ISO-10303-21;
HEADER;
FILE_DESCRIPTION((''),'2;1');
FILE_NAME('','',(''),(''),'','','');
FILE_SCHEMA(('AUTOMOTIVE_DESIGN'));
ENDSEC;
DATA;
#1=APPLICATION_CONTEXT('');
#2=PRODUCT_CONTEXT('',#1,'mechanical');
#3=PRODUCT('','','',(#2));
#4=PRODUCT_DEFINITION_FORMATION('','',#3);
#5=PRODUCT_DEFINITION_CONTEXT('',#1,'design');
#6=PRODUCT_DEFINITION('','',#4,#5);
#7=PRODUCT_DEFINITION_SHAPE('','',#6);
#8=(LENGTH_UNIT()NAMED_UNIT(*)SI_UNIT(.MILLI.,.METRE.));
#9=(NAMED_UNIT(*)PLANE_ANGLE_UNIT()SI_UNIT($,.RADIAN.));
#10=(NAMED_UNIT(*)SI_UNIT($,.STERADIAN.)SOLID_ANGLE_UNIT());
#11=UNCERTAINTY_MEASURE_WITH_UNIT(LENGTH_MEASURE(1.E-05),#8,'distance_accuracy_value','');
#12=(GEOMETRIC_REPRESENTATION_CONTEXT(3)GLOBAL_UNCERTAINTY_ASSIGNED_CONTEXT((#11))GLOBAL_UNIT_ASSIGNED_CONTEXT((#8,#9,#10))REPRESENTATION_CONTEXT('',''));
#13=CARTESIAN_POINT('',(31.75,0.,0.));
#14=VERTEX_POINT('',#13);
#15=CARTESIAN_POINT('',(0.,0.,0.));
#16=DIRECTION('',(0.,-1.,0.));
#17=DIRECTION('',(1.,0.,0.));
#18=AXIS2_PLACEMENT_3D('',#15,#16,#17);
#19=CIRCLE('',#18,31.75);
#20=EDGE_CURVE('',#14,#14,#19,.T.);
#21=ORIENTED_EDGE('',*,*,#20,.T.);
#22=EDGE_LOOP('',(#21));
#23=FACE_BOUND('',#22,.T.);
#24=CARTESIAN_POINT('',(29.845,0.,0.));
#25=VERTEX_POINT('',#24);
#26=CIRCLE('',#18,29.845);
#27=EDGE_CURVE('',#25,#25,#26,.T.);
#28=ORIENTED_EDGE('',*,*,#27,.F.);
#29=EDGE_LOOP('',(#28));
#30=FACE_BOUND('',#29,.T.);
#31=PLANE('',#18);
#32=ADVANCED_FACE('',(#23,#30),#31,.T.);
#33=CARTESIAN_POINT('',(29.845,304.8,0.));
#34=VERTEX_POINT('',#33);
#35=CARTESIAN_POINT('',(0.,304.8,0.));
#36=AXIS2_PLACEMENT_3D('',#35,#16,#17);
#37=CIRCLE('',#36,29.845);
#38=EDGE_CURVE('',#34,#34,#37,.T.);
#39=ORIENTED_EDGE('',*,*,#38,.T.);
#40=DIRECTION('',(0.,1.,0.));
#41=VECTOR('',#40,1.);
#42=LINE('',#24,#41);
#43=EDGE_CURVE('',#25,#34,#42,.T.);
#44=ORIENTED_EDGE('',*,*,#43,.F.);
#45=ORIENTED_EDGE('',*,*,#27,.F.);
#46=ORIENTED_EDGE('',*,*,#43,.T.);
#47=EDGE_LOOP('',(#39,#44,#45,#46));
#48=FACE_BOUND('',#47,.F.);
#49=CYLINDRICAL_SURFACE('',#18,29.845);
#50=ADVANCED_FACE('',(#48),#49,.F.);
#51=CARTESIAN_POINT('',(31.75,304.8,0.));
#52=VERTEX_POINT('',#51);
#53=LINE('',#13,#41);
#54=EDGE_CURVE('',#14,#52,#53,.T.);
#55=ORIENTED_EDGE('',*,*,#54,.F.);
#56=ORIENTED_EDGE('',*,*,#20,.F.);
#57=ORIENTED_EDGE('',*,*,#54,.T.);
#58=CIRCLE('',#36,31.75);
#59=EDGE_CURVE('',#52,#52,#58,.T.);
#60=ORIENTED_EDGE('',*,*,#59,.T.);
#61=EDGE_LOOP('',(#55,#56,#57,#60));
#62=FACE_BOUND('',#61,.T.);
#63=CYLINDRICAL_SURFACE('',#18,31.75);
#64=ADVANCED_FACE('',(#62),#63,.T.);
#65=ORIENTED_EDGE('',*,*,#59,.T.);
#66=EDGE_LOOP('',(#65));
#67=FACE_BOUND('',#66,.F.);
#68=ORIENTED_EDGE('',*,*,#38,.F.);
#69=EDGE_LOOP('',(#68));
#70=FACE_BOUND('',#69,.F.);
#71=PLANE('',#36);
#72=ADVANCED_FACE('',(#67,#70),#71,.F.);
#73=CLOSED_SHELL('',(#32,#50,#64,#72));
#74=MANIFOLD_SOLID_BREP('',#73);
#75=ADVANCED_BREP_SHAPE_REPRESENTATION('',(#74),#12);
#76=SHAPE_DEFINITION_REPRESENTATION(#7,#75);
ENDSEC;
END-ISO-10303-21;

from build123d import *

# Parameters (mm, degrees)
F0_R     = 31.75
F1_DEPTH = 304.8
F2_R     = 29.845
F3_DEPTH = 304.8


with BuildPart() as f1:
    # F0 (on Front) → F1 (new body)
    with BuildSketch(Plane.XZ):
        Circle(F0_R)
    extrude(amount=-F1_DEPTH)

    # F2 (on Front) → F3 (cut)
    with BuildSketch(Plane.XZ):
        Circle(F2_R)
    extrude(amount=-F3_DEPTH, mode=Mode.SUBTRACT)


solid = f1.part
